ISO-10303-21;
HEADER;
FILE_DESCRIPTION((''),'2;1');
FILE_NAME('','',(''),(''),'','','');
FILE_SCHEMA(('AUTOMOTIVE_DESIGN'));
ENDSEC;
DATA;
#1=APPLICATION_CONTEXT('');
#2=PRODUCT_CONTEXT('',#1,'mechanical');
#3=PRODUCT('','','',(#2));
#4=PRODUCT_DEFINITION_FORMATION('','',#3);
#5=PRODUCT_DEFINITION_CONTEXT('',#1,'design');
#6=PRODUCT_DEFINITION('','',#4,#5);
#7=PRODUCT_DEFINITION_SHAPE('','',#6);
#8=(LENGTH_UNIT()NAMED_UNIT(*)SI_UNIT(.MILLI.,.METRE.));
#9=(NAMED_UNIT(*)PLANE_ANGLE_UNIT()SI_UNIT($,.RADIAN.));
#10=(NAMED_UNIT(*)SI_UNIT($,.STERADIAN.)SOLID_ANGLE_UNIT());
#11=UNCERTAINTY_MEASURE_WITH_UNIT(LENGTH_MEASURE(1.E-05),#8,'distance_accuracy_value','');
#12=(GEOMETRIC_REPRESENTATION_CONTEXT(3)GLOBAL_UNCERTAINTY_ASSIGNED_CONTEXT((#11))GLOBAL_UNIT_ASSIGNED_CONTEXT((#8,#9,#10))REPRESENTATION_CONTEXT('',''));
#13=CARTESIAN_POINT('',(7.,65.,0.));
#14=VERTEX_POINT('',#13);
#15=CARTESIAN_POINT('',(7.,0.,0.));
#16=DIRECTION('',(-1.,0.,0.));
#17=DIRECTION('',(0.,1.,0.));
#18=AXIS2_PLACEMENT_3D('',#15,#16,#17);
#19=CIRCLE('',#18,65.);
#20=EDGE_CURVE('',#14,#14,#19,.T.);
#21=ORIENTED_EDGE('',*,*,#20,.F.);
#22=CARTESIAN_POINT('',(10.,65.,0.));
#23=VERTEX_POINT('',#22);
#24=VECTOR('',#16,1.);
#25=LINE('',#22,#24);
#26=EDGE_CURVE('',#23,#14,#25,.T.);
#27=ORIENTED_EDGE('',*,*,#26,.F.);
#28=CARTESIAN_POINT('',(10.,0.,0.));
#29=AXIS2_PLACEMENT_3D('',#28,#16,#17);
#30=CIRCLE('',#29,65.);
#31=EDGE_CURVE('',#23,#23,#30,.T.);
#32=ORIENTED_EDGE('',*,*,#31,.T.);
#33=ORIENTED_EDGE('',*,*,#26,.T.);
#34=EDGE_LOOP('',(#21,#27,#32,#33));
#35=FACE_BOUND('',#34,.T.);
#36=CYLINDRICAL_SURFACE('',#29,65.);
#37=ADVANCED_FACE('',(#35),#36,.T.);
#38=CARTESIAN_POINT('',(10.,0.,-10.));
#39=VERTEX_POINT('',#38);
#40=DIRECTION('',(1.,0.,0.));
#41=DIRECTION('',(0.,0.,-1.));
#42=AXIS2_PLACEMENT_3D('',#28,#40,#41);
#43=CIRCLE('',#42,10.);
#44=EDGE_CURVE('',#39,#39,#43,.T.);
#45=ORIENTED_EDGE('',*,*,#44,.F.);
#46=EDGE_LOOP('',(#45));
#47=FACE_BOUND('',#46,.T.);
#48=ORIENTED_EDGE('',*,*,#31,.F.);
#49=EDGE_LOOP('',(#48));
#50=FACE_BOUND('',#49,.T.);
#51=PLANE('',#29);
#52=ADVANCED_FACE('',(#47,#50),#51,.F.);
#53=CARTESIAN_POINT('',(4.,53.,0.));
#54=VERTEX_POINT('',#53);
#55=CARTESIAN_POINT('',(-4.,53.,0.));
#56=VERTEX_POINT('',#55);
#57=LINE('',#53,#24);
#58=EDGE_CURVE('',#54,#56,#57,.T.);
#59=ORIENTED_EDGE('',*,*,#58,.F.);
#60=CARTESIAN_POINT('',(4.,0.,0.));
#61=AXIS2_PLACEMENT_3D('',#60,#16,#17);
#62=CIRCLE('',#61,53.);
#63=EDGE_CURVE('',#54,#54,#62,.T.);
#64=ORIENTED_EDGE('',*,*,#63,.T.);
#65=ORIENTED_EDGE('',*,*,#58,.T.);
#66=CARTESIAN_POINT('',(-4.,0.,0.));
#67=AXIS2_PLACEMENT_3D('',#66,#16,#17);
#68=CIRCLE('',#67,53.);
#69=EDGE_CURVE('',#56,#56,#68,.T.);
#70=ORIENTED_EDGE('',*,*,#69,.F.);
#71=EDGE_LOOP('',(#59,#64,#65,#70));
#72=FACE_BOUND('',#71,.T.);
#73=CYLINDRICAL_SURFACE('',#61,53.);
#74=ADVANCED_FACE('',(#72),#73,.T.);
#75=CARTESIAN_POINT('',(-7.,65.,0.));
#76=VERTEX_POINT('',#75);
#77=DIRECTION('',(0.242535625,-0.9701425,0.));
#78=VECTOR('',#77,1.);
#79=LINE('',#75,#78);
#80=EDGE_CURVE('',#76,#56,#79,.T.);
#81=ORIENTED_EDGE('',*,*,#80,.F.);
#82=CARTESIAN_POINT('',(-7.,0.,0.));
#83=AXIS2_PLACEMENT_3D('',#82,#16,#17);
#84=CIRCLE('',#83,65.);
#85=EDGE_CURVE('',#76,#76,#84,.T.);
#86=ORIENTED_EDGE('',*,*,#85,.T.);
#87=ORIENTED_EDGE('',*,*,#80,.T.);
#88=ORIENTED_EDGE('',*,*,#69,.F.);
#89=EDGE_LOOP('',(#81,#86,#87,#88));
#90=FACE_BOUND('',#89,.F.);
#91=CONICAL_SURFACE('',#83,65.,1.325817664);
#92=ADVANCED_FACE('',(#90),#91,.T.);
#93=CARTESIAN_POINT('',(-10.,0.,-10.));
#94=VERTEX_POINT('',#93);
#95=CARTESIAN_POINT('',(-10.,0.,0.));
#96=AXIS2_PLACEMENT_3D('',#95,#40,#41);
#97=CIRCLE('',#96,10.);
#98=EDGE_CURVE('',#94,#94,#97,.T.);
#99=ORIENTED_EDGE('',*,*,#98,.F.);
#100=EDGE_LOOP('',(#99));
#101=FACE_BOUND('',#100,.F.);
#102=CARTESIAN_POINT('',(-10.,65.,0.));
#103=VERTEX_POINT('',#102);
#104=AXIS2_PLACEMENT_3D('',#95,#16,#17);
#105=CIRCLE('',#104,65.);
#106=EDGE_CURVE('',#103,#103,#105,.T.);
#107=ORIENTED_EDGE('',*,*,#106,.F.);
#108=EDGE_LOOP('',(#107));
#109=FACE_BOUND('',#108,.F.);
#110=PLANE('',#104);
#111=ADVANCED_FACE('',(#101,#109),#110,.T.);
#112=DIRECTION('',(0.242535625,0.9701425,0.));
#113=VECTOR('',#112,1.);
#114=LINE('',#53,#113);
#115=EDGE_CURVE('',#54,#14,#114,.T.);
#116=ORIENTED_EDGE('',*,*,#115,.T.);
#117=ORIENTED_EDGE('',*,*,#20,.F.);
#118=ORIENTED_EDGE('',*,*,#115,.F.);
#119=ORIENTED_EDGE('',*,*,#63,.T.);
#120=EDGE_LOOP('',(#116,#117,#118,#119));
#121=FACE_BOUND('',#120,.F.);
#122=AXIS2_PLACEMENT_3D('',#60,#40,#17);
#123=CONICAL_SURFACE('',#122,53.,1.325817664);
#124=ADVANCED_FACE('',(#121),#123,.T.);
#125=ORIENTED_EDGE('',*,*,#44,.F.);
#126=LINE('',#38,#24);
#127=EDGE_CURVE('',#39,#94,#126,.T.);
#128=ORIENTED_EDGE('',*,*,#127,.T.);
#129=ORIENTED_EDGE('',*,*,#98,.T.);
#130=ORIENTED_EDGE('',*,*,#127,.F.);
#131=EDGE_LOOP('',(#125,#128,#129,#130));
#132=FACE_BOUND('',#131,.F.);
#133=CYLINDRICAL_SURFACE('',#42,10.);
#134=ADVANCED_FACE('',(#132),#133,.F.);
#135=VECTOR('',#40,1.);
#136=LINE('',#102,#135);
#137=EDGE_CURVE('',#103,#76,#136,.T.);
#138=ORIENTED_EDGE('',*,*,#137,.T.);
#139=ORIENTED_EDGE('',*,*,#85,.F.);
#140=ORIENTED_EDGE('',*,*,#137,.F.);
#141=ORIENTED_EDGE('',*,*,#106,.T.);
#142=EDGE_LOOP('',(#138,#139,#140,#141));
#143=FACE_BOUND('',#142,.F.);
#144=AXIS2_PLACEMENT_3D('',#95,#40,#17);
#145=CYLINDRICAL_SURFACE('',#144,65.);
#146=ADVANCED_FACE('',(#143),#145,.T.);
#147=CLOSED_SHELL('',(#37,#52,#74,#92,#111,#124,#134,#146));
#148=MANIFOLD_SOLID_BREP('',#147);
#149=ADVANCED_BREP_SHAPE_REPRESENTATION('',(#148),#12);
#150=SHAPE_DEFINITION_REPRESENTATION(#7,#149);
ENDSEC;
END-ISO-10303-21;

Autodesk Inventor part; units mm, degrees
ref_plane "YZ Plane" through (0, 0, 0) normal (1, 0, 0) x (0, 1, 0)
ref_plane "XZ Plane" through (0, 0, 0) normal (0, 1, 0) x (-1, 0, 0)
ref_plane "XY Plane" through (0, 0, 0) normal (0, 0, 1) x (1, 0, 0)
sketch "Szkic1" plane through (0, 0, 0) normal (0, 0, 1) x (1, 0, 0)
  line L0 (0, 0) -> (10, 0)
  line L1 (10, 0) -> (-10, 0)
  line L2 (-10, 0) -> (-10, 65)
  line L3 (10, 0) -> (10, 65)
  line L4 (-10, 65) -> (-10, 53)
  line L5 (10, 65) -> (7, 65)
  line L6 (-10, 65) -> (-7, 65)
  line L7 (4, 53) -> (-4, 53)
  line L8 (-7, 65) -> (-4, 53)
  line L9 (4, 53) -> (7, 65)
  point P0 (2, 53)
  dimension "d2" = 65
  dimension "d4" = 12
  dimension "d5" = 6
  dimension "d17" = 3
  dimension "d18" = 3
revolve "Obrót1" add sketch "Szkic1" angle 360 about axis through (10, 0, 0) along (-1, 0, 0)
sketch "Szkic2" plane through (10, 0, 0) normal (1, 0, 0) x (0, 0, -1)
  circle A0 centre (0, 0) radius 10
  dimension "d8" = 20
extrude "Wyciągnięcie proste1" cut sketch "Szkic2" against normal blind 100
properties part number "kolo"
